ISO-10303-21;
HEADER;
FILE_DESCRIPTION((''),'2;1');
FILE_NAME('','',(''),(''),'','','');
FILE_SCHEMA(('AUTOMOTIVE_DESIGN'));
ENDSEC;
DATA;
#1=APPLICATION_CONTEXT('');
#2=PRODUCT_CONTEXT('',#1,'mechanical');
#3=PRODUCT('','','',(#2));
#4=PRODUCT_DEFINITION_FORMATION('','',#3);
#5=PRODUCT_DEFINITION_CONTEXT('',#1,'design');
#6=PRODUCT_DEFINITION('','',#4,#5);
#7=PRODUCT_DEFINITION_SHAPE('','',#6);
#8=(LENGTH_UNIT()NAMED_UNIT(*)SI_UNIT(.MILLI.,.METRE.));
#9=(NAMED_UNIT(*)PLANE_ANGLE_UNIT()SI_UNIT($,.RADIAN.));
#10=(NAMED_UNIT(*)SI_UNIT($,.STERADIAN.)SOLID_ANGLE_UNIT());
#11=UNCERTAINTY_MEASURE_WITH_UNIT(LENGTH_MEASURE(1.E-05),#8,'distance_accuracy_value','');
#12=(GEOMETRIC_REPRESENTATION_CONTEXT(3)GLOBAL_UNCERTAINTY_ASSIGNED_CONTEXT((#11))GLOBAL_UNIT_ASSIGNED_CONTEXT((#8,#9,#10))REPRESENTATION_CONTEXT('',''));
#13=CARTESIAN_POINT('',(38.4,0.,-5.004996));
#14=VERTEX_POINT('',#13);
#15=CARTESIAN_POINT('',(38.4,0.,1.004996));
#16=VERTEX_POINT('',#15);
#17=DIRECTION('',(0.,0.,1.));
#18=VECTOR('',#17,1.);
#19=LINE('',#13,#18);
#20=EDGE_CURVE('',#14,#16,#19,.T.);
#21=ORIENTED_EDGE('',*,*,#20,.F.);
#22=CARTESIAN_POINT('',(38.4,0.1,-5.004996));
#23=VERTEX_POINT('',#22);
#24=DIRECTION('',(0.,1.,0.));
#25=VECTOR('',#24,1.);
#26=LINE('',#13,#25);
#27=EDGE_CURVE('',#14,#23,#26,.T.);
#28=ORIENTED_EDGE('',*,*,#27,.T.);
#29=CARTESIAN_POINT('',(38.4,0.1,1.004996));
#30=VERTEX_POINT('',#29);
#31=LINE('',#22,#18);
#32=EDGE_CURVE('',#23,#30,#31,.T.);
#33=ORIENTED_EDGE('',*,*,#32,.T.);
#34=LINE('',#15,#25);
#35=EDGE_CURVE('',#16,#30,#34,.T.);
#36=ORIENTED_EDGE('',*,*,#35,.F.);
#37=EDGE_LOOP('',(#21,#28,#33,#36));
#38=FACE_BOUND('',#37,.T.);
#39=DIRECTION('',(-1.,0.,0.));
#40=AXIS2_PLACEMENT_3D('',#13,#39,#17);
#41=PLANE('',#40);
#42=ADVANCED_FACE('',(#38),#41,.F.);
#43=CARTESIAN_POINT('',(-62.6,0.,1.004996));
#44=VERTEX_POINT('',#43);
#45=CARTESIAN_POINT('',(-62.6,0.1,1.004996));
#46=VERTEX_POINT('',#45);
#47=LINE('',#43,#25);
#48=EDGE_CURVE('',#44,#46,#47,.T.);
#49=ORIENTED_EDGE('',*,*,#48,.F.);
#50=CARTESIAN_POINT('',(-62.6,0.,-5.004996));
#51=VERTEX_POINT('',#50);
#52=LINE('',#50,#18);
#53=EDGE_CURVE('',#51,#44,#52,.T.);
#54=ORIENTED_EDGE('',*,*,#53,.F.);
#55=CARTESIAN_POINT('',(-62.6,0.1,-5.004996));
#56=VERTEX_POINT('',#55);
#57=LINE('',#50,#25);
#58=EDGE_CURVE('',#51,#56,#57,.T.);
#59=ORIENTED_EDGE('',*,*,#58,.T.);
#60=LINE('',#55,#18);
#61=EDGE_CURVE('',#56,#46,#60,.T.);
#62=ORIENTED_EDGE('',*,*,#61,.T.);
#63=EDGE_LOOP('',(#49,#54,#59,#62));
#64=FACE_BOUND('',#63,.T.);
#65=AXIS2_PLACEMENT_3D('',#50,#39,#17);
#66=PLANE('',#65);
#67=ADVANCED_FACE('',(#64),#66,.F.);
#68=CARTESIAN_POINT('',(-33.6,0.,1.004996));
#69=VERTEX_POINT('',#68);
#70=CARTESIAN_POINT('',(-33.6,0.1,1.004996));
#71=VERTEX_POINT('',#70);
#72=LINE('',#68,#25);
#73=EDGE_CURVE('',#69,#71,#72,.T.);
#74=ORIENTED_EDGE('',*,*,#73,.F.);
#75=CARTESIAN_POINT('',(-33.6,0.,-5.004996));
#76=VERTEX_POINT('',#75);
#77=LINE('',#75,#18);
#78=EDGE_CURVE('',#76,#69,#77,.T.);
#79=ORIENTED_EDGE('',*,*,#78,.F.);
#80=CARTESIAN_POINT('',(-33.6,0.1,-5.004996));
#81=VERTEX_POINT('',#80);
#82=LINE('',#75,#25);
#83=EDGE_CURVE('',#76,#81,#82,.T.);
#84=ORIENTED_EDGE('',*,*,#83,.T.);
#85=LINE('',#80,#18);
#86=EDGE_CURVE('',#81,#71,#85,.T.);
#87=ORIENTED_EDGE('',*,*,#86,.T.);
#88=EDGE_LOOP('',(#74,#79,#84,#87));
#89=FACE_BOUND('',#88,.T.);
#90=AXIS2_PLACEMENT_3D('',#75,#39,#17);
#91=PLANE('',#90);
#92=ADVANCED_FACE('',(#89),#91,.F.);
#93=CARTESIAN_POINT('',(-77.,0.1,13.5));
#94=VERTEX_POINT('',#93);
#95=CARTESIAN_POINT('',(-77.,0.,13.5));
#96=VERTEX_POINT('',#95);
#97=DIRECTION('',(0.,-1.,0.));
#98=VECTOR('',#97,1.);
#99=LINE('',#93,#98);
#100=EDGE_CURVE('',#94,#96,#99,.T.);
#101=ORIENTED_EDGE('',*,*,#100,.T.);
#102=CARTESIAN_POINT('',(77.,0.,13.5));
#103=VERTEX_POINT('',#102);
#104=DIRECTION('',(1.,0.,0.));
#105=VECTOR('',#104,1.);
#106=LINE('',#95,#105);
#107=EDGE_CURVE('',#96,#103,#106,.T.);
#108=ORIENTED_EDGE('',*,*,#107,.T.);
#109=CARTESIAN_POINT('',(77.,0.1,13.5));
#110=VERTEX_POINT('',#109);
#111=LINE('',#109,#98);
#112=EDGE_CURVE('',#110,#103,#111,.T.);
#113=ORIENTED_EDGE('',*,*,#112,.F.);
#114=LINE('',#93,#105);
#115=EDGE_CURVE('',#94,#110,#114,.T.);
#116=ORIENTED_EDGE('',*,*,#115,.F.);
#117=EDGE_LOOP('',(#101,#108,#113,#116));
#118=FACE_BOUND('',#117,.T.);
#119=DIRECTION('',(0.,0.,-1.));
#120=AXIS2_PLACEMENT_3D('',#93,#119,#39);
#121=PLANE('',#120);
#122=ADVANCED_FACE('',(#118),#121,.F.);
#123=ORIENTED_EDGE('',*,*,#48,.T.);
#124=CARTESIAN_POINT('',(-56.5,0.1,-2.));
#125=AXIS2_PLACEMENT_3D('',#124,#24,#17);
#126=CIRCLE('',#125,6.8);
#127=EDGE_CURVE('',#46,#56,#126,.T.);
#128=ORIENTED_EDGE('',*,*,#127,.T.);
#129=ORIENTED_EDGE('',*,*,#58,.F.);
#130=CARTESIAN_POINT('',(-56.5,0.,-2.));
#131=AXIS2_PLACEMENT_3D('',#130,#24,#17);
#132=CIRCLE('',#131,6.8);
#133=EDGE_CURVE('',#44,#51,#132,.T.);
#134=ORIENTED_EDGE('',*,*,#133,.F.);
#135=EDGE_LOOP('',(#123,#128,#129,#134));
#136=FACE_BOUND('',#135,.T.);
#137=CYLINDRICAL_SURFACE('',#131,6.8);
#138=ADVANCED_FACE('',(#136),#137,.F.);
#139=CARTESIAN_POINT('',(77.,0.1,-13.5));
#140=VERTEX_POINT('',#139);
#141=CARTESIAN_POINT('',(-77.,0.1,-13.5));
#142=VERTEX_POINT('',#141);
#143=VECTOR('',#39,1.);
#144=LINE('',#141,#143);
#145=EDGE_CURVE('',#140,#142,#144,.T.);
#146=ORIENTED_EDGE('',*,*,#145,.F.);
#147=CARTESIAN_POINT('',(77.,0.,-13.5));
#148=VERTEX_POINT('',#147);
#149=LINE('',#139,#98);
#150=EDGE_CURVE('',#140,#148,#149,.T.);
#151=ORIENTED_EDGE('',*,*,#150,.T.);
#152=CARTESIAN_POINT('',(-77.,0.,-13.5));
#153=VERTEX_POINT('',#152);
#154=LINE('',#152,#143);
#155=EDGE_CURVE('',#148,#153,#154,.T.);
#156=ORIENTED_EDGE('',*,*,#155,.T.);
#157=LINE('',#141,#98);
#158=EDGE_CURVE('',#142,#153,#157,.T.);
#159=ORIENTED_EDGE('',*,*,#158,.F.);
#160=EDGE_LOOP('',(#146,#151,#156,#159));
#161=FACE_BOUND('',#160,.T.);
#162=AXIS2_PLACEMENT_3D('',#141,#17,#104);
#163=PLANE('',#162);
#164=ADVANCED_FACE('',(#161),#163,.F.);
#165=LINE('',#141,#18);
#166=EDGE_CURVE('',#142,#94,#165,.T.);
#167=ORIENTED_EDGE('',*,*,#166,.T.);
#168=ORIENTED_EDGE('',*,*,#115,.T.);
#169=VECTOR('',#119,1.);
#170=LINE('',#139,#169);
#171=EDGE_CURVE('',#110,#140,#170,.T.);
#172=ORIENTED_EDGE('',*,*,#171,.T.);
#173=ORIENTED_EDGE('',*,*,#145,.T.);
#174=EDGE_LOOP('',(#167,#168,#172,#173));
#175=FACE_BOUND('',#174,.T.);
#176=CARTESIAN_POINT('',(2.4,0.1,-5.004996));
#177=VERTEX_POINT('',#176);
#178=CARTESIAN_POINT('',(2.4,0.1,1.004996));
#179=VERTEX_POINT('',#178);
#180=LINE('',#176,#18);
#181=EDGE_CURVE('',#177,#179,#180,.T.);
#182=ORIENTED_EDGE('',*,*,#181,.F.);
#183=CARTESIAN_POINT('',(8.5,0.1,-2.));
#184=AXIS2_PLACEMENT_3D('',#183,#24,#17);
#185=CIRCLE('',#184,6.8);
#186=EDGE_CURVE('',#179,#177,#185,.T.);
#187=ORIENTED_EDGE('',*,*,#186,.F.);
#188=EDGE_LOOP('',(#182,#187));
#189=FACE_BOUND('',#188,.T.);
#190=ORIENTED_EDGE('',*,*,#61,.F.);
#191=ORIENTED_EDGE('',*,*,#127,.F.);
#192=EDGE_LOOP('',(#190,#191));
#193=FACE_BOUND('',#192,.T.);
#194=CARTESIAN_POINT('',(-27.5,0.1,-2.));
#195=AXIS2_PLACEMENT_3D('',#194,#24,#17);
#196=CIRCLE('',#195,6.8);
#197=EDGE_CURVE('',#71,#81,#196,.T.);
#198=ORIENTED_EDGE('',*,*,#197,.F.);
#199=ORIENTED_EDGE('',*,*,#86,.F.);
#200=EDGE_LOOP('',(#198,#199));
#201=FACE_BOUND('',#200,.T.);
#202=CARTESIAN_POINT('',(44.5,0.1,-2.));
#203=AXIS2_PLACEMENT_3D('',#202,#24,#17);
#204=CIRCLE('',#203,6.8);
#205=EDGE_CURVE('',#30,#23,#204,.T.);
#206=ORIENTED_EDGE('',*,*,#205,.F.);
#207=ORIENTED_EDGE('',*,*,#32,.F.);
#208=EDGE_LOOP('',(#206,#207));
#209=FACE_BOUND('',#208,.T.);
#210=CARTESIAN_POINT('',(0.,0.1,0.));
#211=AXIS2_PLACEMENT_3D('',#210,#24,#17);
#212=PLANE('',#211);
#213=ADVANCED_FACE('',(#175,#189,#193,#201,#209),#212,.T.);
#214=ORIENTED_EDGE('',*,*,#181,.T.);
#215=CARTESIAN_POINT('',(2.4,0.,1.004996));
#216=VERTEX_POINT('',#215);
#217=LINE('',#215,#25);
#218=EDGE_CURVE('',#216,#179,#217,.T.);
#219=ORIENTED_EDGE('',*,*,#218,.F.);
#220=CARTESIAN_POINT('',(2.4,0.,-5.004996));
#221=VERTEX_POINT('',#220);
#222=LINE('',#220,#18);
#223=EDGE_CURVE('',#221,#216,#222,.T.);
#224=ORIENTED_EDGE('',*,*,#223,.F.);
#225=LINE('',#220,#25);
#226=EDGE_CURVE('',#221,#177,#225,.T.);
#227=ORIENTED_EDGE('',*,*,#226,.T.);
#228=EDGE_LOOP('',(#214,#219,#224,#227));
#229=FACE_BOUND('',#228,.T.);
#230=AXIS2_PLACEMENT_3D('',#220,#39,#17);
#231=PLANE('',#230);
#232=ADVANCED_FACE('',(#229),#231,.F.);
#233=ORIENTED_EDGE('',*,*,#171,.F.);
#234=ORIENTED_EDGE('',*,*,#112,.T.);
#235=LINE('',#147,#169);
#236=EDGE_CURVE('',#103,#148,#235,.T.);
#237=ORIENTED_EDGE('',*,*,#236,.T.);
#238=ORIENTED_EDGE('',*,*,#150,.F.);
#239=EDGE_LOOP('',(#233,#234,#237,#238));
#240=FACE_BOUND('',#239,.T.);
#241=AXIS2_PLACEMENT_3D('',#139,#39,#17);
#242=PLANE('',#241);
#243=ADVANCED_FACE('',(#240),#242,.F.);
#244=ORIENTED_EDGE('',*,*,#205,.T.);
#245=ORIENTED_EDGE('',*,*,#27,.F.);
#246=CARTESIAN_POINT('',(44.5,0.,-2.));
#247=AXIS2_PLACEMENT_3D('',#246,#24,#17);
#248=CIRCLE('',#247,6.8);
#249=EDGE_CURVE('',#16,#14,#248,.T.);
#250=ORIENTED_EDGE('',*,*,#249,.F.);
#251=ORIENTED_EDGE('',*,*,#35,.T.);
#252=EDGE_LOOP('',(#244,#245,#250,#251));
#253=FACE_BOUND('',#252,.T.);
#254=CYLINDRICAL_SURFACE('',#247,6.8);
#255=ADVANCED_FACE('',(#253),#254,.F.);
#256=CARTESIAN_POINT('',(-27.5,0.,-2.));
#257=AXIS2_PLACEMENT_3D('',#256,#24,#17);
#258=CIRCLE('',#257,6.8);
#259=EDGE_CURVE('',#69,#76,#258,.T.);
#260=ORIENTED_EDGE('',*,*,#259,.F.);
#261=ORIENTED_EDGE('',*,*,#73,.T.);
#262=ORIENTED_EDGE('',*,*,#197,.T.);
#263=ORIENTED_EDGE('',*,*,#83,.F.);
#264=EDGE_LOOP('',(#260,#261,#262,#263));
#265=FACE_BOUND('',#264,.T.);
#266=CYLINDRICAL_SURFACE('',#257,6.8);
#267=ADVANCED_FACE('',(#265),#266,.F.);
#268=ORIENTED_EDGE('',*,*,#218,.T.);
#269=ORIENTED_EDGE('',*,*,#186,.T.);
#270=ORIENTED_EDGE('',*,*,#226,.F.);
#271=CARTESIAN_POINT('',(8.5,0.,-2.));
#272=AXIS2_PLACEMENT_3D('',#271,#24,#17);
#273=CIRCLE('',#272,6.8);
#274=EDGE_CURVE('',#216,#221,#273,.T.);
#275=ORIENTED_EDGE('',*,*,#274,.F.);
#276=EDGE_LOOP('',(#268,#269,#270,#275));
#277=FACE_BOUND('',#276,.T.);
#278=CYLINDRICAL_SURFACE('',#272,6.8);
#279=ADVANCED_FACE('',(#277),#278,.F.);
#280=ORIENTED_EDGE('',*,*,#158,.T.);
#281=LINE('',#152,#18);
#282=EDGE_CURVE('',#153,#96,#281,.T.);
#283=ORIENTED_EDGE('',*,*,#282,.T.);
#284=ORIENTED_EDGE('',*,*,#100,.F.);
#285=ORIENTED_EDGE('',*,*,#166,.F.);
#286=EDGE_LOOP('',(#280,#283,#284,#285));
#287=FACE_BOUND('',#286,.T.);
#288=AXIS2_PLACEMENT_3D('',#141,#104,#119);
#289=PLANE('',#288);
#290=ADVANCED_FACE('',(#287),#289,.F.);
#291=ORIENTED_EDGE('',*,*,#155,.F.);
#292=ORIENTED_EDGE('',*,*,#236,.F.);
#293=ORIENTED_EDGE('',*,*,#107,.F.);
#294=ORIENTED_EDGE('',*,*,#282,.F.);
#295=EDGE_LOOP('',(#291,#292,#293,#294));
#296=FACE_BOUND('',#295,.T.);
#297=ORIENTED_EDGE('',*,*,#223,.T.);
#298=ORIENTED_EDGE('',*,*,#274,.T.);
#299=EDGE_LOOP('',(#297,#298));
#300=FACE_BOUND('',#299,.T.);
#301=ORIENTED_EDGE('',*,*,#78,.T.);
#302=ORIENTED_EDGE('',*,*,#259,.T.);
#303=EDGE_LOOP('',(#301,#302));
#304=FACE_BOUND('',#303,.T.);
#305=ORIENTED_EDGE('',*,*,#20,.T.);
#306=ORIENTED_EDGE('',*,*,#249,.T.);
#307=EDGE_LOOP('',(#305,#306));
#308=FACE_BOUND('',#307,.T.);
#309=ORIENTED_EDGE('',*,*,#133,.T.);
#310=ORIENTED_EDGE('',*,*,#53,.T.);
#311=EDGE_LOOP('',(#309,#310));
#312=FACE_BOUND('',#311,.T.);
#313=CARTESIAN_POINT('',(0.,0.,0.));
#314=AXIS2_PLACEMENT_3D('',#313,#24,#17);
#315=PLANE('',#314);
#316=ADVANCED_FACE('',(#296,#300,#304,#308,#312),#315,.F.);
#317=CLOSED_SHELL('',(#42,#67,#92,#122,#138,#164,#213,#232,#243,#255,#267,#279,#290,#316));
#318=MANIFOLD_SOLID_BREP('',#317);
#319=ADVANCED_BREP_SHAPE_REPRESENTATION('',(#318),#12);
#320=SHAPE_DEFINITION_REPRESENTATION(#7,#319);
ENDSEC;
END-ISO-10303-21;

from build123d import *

# Parameters (mm, degrees)
SKETCH1_W           = 154
SKETCH1_H           = 27
BOSS_EXTRUDE1_DEPTH = 0.1
CUT_EXTRUDE1_DEPTH  = 79.174548288


with BuildPart() as part:
    # Sketch1 → Boss-Extrude1 (new body)
    with BuildSketch(Plane(origin=(0, 0, 0), x_dir=(1, 0, 0), z_dir=(0, 1, 0))):
        Rectangle(SKETCH1_W, SKETCH1_H)
    extrude(amount=BOSS_EXTRUDE1_DEPTH)

    # Sketch2 → Cut-Extrude1 (cut, through all)
    with BuildSketch(Plane(origin=(0, 0.1, 0), x_dir=(1, 0, 0), z_dir=(0, 1, 0))):
        with BuildLine():
            Line((2.4, 5.00499584), (2.4, -1.00499584))
            ThreePointArc((2.4, -1.00499584), (15.3, 2), (2.4, 5.00499584))
        make_face()
        with BuildLine():
            Line((38.4, 5.00499584), (38.4, -1.00499584))
            ThreePointArc((38.4, -1.00499584), (51.3, 2), (38.4, 5.00499584))
        make_face()
        with BuildLine():
            Line((-33.6, 5.00499584), (-33.6, -1.00499584))
            ThreePointArc((-33.6, -1.00499584), (-20.7, 2), (-33.6, 5.00499584))
        make_face()
        with BuildLine():
            Line((-62.6, 5.00499584), (-62.6, -1.00499584))
            ThreePointArc((-62.6, -1.00499584), (-49.7, 2), (-62.6, 5.00499584))
        make_face()
    extrude(amount=-CUT_EXTRUDE1_DEPTH, mode=Mode.SUBTRACT)


solid = part.part
